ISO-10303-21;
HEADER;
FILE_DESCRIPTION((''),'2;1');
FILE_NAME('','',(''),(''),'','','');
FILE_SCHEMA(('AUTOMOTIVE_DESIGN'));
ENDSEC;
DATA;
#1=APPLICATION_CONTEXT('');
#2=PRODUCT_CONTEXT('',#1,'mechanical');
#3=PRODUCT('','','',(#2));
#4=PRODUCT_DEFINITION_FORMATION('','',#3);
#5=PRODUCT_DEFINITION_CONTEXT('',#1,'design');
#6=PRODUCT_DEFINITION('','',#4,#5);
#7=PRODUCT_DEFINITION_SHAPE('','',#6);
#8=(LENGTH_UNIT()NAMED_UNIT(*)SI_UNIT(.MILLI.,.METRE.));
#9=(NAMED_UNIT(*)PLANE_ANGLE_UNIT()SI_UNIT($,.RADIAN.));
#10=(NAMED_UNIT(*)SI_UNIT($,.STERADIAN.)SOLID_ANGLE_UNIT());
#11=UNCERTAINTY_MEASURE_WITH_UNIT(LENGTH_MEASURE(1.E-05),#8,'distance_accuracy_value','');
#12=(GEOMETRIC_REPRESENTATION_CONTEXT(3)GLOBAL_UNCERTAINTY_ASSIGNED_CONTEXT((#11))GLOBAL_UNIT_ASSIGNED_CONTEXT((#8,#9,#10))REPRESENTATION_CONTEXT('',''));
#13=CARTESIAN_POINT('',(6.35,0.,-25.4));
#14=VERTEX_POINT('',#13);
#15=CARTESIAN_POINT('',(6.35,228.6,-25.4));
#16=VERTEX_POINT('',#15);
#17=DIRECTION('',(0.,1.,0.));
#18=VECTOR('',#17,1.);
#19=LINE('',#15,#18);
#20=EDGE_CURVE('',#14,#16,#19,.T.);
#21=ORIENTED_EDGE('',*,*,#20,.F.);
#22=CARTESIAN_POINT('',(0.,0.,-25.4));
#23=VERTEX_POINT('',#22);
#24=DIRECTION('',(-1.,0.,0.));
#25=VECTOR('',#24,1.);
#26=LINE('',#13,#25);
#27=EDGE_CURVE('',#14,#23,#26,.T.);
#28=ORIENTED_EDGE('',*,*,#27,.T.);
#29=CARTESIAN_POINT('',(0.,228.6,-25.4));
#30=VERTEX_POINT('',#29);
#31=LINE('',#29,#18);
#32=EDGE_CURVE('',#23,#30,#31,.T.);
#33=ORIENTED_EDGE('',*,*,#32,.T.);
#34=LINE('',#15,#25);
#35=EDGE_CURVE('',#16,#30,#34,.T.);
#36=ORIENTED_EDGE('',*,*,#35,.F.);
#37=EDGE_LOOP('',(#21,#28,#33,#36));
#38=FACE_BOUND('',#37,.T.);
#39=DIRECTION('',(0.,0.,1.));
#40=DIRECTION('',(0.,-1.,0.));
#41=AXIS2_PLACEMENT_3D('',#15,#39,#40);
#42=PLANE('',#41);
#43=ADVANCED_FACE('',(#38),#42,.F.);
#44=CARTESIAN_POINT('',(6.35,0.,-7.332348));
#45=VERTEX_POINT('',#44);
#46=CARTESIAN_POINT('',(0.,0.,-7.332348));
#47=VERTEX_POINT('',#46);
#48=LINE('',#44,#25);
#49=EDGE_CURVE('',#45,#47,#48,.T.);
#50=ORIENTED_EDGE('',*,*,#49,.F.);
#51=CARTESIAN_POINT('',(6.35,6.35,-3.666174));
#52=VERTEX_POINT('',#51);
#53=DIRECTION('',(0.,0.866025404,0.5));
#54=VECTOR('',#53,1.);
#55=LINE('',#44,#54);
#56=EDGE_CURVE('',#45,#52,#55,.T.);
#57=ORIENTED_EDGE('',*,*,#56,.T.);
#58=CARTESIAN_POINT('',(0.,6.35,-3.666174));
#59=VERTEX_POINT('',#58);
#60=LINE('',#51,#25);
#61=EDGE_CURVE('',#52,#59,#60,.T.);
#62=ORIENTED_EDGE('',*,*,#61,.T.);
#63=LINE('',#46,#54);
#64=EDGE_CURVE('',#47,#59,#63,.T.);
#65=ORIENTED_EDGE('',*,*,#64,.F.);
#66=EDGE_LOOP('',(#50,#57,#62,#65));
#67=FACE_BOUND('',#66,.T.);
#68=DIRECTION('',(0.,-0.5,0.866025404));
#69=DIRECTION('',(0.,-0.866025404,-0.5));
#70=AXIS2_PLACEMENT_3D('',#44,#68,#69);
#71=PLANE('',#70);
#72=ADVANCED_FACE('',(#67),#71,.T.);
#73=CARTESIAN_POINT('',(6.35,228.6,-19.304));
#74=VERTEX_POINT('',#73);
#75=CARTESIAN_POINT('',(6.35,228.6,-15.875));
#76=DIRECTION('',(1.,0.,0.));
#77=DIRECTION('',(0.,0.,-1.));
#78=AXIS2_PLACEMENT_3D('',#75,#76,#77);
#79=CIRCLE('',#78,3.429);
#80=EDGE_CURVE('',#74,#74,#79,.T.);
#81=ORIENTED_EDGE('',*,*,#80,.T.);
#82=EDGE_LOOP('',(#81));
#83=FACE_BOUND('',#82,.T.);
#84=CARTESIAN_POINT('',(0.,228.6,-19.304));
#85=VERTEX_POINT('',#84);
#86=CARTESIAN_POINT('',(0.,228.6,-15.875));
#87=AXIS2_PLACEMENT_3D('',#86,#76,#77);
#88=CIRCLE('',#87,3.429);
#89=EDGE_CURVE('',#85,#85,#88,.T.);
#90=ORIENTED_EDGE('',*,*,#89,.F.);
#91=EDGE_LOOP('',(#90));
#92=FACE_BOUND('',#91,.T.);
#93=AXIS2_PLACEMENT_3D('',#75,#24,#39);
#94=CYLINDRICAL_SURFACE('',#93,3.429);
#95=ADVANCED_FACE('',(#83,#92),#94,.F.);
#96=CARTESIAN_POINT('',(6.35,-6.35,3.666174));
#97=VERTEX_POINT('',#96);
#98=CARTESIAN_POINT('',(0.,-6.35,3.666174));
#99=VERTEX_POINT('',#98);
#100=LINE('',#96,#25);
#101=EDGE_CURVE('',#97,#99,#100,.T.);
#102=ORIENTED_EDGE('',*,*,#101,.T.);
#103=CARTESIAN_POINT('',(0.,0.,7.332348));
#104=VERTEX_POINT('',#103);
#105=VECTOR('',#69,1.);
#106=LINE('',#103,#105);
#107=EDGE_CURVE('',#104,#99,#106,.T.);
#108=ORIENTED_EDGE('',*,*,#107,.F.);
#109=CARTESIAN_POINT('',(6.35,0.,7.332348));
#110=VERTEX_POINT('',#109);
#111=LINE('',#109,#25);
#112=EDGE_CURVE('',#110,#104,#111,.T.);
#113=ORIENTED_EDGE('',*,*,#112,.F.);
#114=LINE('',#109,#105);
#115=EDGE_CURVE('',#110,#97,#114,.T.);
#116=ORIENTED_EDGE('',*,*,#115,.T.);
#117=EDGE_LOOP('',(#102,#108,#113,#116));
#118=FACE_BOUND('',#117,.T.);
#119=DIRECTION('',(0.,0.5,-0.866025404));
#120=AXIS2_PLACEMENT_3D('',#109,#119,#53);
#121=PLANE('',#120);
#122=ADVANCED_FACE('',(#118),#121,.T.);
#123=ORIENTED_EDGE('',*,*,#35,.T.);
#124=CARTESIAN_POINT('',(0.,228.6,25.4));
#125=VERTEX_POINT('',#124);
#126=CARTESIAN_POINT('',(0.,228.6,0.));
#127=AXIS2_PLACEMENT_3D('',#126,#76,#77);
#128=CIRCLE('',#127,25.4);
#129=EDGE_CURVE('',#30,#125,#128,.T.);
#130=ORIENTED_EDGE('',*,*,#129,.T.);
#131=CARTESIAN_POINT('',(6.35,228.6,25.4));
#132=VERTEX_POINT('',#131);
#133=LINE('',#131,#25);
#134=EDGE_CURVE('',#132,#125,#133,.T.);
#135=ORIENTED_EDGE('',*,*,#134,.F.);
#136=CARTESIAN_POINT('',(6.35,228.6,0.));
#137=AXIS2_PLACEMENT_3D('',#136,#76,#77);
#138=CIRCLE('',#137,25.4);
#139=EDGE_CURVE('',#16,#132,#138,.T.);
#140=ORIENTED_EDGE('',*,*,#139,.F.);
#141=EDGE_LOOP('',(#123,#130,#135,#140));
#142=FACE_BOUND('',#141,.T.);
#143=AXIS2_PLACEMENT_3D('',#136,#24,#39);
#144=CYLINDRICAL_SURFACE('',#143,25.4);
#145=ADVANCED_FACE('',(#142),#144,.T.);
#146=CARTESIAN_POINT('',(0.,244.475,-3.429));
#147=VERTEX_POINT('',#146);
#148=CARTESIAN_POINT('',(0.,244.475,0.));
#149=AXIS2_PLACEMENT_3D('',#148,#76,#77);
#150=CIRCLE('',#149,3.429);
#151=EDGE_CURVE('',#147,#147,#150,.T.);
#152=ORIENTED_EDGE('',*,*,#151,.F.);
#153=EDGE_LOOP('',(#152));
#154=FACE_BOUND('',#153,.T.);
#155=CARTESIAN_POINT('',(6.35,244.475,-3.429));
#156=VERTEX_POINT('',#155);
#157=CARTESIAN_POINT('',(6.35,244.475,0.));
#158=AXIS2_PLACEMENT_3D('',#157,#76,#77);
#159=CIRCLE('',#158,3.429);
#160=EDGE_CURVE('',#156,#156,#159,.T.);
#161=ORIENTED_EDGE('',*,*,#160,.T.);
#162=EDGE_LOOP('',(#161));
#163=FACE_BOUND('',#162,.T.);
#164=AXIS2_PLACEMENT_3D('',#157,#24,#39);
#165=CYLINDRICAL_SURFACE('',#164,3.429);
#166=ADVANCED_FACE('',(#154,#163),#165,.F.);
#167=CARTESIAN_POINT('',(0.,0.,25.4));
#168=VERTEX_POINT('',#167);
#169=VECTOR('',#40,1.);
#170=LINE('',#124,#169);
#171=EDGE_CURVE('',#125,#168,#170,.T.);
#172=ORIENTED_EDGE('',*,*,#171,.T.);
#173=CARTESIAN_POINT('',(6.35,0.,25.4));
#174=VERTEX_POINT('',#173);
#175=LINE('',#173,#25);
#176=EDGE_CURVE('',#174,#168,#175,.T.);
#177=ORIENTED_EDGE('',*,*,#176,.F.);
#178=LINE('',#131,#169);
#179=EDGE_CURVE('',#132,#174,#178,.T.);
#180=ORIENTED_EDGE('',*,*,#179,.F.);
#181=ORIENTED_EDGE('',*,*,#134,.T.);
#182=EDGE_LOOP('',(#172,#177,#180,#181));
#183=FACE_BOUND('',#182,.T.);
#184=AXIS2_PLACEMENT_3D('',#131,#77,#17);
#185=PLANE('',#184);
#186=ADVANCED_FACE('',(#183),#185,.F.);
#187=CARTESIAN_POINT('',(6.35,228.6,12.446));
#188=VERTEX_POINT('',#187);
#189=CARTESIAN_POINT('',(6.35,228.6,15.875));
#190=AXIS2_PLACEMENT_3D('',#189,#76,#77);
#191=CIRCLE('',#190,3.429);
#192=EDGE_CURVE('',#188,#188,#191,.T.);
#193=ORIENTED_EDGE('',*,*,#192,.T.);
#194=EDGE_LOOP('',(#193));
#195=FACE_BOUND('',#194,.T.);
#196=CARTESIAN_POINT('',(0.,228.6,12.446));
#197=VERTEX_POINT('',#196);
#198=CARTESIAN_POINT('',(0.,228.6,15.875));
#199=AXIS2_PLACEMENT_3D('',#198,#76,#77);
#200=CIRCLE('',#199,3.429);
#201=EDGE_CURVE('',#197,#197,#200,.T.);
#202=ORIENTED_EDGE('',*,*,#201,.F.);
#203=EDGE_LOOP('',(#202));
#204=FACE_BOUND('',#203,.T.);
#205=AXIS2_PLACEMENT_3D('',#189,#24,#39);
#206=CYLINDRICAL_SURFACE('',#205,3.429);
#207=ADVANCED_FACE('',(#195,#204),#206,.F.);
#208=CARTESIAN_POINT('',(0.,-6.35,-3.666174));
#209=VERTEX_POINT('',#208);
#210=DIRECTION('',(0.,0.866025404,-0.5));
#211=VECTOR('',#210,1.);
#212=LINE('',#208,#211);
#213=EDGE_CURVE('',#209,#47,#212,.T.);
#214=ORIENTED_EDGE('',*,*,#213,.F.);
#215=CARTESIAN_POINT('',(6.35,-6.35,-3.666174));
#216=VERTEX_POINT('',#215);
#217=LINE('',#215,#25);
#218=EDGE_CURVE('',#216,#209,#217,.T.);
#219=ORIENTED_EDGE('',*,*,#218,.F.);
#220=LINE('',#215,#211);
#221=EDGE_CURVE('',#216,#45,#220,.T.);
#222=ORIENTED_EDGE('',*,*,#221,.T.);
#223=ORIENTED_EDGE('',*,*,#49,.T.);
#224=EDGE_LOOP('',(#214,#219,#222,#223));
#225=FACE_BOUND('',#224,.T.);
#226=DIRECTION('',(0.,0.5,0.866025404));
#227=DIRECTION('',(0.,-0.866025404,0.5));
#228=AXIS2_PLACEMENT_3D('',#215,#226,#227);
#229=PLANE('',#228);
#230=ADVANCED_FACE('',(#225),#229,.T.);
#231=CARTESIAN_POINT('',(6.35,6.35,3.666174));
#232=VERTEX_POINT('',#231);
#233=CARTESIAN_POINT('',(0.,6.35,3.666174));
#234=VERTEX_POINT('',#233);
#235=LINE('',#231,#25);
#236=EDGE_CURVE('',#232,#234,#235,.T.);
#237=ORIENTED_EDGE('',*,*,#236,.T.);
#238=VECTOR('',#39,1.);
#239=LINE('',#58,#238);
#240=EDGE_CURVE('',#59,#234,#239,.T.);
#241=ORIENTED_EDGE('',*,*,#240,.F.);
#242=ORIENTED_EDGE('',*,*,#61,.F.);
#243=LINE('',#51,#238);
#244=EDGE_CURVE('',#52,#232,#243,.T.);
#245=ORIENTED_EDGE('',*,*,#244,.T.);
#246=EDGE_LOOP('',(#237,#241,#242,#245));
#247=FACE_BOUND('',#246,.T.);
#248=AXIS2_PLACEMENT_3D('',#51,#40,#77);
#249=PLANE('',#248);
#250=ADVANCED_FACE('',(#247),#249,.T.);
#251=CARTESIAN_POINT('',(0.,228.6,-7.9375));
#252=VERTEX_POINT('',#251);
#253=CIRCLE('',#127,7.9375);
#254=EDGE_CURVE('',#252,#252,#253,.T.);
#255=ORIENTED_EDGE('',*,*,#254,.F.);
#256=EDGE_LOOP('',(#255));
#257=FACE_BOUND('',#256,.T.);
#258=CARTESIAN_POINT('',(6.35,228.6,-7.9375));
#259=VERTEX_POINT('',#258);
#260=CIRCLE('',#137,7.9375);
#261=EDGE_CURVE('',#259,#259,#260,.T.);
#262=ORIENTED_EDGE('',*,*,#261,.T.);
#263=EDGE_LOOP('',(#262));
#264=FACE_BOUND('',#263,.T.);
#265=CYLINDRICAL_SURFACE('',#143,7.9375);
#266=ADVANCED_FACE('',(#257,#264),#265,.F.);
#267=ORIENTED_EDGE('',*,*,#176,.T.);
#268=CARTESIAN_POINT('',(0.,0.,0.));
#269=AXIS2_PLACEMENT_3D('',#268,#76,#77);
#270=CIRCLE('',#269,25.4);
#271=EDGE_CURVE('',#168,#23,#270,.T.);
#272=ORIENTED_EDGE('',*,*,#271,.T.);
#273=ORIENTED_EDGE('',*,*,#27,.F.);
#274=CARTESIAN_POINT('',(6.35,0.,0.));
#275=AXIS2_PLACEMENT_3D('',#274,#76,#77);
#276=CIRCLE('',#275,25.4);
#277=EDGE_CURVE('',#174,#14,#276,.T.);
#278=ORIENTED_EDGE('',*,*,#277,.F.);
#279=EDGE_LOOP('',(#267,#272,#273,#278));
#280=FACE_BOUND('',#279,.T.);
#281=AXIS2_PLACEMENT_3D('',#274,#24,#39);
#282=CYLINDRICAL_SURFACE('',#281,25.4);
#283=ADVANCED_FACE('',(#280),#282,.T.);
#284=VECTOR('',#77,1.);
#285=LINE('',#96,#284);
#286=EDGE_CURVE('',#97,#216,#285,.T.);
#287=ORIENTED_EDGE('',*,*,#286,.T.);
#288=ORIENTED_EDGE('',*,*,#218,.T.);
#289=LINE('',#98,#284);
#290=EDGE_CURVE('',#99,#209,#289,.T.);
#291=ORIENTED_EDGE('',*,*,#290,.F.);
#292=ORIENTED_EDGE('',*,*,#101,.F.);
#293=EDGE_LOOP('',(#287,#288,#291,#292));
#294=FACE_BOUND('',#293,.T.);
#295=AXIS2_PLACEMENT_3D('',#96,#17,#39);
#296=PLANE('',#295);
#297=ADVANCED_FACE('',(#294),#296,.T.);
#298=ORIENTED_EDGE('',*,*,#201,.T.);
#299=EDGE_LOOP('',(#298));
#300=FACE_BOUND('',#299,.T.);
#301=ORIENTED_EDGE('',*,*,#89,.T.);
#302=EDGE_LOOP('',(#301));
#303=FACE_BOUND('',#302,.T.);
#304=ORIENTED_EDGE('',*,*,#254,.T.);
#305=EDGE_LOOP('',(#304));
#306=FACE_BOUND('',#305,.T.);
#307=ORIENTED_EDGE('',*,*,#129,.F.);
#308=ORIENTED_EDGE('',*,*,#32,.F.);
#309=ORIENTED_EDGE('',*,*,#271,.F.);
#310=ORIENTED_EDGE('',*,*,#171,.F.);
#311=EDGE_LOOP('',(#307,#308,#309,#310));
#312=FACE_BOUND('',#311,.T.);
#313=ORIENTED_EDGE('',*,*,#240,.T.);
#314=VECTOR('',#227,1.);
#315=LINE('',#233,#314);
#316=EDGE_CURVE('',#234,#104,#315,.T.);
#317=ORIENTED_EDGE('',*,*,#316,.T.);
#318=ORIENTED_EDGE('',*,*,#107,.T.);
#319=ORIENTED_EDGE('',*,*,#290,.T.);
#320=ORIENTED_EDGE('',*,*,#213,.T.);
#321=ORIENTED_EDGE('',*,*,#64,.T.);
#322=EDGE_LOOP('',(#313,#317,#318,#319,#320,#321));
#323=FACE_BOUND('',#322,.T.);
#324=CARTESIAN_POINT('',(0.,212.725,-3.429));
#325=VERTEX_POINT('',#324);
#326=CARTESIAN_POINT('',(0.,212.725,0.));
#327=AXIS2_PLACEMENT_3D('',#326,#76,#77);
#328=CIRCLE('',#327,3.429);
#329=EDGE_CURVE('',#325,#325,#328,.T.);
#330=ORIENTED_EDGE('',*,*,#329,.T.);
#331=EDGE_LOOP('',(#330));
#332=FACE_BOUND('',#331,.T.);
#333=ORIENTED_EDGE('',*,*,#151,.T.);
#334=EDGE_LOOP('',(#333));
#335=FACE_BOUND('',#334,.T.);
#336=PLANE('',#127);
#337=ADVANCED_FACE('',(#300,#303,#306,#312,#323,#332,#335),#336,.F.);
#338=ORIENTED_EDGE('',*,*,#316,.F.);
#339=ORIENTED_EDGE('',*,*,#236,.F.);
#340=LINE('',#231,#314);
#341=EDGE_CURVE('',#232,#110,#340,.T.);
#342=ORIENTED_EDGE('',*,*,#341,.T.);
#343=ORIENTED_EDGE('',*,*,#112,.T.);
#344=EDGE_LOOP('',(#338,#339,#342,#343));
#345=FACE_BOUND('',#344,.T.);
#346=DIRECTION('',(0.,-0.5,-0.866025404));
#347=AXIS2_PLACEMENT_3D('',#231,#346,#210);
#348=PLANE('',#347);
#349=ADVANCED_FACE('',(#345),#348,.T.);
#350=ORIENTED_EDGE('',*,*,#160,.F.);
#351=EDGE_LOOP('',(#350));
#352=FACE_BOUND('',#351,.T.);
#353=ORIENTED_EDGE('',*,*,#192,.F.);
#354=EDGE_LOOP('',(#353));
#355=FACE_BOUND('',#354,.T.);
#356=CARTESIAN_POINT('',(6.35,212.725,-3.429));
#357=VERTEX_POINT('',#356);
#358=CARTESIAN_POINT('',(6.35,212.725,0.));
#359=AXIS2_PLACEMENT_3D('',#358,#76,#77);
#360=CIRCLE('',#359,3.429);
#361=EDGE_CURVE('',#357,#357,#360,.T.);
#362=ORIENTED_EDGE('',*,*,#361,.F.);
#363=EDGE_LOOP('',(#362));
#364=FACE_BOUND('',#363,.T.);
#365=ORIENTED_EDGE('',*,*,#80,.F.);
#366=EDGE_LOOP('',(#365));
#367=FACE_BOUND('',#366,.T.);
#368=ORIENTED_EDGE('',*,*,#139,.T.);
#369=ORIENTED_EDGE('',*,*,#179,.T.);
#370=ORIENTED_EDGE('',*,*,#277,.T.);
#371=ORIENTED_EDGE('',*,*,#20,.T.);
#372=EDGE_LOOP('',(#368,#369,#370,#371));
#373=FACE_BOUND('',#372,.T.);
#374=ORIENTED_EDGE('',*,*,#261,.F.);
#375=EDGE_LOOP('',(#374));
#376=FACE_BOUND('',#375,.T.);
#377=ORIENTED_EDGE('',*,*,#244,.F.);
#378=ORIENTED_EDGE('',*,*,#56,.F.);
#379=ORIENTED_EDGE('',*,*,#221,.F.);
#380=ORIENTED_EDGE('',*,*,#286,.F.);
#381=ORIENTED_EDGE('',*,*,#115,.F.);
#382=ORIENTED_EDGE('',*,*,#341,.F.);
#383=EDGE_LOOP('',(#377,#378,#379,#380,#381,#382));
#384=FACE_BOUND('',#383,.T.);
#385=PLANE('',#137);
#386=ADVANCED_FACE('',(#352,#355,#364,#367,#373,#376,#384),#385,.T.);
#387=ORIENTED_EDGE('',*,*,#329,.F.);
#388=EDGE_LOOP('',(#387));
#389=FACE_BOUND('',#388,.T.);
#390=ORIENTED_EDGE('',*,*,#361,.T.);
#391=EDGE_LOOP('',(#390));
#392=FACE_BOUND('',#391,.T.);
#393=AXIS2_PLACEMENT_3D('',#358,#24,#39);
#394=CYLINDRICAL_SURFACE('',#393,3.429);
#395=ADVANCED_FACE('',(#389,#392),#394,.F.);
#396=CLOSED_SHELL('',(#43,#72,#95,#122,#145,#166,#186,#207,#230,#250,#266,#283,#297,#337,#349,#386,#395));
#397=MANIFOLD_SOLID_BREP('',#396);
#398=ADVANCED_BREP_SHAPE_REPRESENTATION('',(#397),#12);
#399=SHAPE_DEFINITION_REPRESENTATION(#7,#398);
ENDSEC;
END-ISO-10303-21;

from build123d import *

# Parameters (mm, degrees)
SKETCH1_R           = 7.9375
SKETCH1_R_2         = 3.429
BOSS_EXTRUDE1_DEPTH = 6.35


with BuildPart() as part:
    # Sketch1 → Boss-Extrude1 (new body)
    with BuildSketch(Plane(origin=(0, 0, 0), x_dir=(0, 0, -1), z_dir=(1, 0, 0))):
        with BuildLine():
            Line((-25.4, 228.6), (-25.4, 0))
            ThreePointArc((-25.4, 0), (0, -25.4), (25.4, 0))
            Line((25.4, 0), (25.4, 228.6))
            ThreePointArc((25.4, 228.6), (0, 254), (-25.4, 228.6))
        make_face()
        with Locations((0, 228.6)):
            Circle(SKETCH1_R, mode=Mode.SUBTRACT)
        with Locations((0, 212.725)):
            Circle(SKETCH1_R_2, mode=Mode.SUBTRACT)
        with Locations((-15.875, 228.6)):
            Circle(SKETCH1_R_2, mode=Mode.SUBTRACT)
        with Locations((0, 244.475)):
            Circle(SKETCH1_R_2, mode=Mode.SUBTRACT)
        with Locations((15.875, 228.6)):
            Circle(SKETCH1_R_2, mode=Mode.SUBTRACT)
        Polygon((7.332348419, 0), (3.666174209, 6.35), (-3.666174209, 6.35), (-7.332348419, 0), (-3.666174209, -6.35), (3.666174209, -6.35), align=None, mode=Mode.SUBTRACT)
    extrude(amount=BOSS_EXTRUDE1_DEPTH)


solid = part.part
